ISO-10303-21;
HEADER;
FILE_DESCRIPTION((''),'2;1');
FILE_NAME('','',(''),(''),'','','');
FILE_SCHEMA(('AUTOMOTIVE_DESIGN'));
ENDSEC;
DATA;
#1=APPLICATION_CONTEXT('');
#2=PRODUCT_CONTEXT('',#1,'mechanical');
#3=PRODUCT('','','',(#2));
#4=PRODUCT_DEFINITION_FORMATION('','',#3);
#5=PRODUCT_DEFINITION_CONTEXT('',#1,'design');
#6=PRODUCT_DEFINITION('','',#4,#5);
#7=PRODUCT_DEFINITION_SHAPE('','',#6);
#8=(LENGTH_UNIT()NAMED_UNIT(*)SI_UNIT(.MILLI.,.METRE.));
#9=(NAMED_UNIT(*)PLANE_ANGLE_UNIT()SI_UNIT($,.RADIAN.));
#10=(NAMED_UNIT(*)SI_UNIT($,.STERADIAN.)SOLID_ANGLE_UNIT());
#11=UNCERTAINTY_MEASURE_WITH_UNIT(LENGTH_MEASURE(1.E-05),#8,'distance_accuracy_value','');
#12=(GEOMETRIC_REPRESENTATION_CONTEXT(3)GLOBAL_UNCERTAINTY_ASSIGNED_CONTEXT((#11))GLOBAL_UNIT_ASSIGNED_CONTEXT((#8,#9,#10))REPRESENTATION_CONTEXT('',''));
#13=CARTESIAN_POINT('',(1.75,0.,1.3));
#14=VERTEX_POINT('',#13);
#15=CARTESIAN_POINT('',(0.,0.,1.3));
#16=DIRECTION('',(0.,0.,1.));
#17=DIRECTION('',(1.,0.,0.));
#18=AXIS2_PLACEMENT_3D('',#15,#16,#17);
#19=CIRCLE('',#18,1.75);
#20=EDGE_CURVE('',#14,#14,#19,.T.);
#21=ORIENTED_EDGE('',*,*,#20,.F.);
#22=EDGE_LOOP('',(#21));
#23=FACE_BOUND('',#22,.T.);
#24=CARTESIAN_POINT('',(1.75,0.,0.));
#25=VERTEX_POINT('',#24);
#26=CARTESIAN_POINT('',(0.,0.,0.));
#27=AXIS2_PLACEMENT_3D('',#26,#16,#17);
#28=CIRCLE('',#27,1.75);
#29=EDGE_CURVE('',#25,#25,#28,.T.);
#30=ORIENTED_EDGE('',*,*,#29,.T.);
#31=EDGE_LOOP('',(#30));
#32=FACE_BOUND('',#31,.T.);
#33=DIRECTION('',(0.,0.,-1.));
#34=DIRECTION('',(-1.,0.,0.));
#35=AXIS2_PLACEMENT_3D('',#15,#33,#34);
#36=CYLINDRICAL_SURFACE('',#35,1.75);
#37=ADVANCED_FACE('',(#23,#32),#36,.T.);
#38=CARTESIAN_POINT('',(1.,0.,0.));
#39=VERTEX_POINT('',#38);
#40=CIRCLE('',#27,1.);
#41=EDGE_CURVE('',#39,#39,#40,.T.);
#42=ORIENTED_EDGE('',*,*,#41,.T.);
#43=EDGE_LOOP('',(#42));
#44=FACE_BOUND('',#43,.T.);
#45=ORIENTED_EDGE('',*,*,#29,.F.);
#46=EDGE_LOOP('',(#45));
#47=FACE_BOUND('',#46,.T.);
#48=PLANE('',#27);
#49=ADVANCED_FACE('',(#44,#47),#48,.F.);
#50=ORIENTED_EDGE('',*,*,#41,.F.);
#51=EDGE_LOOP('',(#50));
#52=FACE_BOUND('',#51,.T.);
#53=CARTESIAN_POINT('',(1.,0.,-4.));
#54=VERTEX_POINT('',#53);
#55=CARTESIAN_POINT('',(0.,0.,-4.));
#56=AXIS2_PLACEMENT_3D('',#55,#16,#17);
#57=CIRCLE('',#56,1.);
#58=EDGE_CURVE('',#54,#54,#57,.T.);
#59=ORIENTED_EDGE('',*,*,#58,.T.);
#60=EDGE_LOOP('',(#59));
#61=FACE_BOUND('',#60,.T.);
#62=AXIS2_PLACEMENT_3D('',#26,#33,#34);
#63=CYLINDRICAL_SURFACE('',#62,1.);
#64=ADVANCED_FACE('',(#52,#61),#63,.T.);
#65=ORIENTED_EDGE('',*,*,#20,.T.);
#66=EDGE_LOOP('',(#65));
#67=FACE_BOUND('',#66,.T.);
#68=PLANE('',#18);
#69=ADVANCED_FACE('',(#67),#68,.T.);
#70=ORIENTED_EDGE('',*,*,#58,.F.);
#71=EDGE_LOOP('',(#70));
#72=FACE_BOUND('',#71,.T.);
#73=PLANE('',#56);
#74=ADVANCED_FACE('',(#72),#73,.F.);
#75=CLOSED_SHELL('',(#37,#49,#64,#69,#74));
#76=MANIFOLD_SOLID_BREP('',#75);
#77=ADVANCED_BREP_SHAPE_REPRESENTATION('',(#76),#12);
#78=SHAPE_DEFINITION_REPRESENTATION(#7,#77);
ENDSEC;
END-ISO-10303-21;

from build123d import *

# Parameters (mm, degrees)
SKETCH1_R                               = 1.75
CONSERVATIVE_BUTTON_HEAD_ENVELOPE_DEPTH = 1.3
M2X0P4X4_THREAD_MAJOR_ENVELOPE_START    = -4
SKETCH2_R                               = 1
M2X0P4X4_THREAD_MAJOR_ENVELOPE_DEPTH    = 4


with BuildPart() as part:
    # Sketch1 → Conservative_Button_Head_Envelope (new body)
    with BuildSketch(Plane.XY):
        Circle(SKETCH1_R)
    extrude(amount=CONSERVATIVE_BUTTON_HEAD_ENVELOPE_DEPTH)

    # Sketch2 → M2x0p4x4_Thread_Major_Envelope (add)
    with BuildSketch(Plane.XY.offset(M2X0P4X4_THREAD_MAJOR_ENVELOPE_START)):
        Circle(SKETCH2_R)
    extrude(amount=M2X0P4X4_THREAD_MAJOR_ENVELOPE_DEPTH)


solid = part.part
